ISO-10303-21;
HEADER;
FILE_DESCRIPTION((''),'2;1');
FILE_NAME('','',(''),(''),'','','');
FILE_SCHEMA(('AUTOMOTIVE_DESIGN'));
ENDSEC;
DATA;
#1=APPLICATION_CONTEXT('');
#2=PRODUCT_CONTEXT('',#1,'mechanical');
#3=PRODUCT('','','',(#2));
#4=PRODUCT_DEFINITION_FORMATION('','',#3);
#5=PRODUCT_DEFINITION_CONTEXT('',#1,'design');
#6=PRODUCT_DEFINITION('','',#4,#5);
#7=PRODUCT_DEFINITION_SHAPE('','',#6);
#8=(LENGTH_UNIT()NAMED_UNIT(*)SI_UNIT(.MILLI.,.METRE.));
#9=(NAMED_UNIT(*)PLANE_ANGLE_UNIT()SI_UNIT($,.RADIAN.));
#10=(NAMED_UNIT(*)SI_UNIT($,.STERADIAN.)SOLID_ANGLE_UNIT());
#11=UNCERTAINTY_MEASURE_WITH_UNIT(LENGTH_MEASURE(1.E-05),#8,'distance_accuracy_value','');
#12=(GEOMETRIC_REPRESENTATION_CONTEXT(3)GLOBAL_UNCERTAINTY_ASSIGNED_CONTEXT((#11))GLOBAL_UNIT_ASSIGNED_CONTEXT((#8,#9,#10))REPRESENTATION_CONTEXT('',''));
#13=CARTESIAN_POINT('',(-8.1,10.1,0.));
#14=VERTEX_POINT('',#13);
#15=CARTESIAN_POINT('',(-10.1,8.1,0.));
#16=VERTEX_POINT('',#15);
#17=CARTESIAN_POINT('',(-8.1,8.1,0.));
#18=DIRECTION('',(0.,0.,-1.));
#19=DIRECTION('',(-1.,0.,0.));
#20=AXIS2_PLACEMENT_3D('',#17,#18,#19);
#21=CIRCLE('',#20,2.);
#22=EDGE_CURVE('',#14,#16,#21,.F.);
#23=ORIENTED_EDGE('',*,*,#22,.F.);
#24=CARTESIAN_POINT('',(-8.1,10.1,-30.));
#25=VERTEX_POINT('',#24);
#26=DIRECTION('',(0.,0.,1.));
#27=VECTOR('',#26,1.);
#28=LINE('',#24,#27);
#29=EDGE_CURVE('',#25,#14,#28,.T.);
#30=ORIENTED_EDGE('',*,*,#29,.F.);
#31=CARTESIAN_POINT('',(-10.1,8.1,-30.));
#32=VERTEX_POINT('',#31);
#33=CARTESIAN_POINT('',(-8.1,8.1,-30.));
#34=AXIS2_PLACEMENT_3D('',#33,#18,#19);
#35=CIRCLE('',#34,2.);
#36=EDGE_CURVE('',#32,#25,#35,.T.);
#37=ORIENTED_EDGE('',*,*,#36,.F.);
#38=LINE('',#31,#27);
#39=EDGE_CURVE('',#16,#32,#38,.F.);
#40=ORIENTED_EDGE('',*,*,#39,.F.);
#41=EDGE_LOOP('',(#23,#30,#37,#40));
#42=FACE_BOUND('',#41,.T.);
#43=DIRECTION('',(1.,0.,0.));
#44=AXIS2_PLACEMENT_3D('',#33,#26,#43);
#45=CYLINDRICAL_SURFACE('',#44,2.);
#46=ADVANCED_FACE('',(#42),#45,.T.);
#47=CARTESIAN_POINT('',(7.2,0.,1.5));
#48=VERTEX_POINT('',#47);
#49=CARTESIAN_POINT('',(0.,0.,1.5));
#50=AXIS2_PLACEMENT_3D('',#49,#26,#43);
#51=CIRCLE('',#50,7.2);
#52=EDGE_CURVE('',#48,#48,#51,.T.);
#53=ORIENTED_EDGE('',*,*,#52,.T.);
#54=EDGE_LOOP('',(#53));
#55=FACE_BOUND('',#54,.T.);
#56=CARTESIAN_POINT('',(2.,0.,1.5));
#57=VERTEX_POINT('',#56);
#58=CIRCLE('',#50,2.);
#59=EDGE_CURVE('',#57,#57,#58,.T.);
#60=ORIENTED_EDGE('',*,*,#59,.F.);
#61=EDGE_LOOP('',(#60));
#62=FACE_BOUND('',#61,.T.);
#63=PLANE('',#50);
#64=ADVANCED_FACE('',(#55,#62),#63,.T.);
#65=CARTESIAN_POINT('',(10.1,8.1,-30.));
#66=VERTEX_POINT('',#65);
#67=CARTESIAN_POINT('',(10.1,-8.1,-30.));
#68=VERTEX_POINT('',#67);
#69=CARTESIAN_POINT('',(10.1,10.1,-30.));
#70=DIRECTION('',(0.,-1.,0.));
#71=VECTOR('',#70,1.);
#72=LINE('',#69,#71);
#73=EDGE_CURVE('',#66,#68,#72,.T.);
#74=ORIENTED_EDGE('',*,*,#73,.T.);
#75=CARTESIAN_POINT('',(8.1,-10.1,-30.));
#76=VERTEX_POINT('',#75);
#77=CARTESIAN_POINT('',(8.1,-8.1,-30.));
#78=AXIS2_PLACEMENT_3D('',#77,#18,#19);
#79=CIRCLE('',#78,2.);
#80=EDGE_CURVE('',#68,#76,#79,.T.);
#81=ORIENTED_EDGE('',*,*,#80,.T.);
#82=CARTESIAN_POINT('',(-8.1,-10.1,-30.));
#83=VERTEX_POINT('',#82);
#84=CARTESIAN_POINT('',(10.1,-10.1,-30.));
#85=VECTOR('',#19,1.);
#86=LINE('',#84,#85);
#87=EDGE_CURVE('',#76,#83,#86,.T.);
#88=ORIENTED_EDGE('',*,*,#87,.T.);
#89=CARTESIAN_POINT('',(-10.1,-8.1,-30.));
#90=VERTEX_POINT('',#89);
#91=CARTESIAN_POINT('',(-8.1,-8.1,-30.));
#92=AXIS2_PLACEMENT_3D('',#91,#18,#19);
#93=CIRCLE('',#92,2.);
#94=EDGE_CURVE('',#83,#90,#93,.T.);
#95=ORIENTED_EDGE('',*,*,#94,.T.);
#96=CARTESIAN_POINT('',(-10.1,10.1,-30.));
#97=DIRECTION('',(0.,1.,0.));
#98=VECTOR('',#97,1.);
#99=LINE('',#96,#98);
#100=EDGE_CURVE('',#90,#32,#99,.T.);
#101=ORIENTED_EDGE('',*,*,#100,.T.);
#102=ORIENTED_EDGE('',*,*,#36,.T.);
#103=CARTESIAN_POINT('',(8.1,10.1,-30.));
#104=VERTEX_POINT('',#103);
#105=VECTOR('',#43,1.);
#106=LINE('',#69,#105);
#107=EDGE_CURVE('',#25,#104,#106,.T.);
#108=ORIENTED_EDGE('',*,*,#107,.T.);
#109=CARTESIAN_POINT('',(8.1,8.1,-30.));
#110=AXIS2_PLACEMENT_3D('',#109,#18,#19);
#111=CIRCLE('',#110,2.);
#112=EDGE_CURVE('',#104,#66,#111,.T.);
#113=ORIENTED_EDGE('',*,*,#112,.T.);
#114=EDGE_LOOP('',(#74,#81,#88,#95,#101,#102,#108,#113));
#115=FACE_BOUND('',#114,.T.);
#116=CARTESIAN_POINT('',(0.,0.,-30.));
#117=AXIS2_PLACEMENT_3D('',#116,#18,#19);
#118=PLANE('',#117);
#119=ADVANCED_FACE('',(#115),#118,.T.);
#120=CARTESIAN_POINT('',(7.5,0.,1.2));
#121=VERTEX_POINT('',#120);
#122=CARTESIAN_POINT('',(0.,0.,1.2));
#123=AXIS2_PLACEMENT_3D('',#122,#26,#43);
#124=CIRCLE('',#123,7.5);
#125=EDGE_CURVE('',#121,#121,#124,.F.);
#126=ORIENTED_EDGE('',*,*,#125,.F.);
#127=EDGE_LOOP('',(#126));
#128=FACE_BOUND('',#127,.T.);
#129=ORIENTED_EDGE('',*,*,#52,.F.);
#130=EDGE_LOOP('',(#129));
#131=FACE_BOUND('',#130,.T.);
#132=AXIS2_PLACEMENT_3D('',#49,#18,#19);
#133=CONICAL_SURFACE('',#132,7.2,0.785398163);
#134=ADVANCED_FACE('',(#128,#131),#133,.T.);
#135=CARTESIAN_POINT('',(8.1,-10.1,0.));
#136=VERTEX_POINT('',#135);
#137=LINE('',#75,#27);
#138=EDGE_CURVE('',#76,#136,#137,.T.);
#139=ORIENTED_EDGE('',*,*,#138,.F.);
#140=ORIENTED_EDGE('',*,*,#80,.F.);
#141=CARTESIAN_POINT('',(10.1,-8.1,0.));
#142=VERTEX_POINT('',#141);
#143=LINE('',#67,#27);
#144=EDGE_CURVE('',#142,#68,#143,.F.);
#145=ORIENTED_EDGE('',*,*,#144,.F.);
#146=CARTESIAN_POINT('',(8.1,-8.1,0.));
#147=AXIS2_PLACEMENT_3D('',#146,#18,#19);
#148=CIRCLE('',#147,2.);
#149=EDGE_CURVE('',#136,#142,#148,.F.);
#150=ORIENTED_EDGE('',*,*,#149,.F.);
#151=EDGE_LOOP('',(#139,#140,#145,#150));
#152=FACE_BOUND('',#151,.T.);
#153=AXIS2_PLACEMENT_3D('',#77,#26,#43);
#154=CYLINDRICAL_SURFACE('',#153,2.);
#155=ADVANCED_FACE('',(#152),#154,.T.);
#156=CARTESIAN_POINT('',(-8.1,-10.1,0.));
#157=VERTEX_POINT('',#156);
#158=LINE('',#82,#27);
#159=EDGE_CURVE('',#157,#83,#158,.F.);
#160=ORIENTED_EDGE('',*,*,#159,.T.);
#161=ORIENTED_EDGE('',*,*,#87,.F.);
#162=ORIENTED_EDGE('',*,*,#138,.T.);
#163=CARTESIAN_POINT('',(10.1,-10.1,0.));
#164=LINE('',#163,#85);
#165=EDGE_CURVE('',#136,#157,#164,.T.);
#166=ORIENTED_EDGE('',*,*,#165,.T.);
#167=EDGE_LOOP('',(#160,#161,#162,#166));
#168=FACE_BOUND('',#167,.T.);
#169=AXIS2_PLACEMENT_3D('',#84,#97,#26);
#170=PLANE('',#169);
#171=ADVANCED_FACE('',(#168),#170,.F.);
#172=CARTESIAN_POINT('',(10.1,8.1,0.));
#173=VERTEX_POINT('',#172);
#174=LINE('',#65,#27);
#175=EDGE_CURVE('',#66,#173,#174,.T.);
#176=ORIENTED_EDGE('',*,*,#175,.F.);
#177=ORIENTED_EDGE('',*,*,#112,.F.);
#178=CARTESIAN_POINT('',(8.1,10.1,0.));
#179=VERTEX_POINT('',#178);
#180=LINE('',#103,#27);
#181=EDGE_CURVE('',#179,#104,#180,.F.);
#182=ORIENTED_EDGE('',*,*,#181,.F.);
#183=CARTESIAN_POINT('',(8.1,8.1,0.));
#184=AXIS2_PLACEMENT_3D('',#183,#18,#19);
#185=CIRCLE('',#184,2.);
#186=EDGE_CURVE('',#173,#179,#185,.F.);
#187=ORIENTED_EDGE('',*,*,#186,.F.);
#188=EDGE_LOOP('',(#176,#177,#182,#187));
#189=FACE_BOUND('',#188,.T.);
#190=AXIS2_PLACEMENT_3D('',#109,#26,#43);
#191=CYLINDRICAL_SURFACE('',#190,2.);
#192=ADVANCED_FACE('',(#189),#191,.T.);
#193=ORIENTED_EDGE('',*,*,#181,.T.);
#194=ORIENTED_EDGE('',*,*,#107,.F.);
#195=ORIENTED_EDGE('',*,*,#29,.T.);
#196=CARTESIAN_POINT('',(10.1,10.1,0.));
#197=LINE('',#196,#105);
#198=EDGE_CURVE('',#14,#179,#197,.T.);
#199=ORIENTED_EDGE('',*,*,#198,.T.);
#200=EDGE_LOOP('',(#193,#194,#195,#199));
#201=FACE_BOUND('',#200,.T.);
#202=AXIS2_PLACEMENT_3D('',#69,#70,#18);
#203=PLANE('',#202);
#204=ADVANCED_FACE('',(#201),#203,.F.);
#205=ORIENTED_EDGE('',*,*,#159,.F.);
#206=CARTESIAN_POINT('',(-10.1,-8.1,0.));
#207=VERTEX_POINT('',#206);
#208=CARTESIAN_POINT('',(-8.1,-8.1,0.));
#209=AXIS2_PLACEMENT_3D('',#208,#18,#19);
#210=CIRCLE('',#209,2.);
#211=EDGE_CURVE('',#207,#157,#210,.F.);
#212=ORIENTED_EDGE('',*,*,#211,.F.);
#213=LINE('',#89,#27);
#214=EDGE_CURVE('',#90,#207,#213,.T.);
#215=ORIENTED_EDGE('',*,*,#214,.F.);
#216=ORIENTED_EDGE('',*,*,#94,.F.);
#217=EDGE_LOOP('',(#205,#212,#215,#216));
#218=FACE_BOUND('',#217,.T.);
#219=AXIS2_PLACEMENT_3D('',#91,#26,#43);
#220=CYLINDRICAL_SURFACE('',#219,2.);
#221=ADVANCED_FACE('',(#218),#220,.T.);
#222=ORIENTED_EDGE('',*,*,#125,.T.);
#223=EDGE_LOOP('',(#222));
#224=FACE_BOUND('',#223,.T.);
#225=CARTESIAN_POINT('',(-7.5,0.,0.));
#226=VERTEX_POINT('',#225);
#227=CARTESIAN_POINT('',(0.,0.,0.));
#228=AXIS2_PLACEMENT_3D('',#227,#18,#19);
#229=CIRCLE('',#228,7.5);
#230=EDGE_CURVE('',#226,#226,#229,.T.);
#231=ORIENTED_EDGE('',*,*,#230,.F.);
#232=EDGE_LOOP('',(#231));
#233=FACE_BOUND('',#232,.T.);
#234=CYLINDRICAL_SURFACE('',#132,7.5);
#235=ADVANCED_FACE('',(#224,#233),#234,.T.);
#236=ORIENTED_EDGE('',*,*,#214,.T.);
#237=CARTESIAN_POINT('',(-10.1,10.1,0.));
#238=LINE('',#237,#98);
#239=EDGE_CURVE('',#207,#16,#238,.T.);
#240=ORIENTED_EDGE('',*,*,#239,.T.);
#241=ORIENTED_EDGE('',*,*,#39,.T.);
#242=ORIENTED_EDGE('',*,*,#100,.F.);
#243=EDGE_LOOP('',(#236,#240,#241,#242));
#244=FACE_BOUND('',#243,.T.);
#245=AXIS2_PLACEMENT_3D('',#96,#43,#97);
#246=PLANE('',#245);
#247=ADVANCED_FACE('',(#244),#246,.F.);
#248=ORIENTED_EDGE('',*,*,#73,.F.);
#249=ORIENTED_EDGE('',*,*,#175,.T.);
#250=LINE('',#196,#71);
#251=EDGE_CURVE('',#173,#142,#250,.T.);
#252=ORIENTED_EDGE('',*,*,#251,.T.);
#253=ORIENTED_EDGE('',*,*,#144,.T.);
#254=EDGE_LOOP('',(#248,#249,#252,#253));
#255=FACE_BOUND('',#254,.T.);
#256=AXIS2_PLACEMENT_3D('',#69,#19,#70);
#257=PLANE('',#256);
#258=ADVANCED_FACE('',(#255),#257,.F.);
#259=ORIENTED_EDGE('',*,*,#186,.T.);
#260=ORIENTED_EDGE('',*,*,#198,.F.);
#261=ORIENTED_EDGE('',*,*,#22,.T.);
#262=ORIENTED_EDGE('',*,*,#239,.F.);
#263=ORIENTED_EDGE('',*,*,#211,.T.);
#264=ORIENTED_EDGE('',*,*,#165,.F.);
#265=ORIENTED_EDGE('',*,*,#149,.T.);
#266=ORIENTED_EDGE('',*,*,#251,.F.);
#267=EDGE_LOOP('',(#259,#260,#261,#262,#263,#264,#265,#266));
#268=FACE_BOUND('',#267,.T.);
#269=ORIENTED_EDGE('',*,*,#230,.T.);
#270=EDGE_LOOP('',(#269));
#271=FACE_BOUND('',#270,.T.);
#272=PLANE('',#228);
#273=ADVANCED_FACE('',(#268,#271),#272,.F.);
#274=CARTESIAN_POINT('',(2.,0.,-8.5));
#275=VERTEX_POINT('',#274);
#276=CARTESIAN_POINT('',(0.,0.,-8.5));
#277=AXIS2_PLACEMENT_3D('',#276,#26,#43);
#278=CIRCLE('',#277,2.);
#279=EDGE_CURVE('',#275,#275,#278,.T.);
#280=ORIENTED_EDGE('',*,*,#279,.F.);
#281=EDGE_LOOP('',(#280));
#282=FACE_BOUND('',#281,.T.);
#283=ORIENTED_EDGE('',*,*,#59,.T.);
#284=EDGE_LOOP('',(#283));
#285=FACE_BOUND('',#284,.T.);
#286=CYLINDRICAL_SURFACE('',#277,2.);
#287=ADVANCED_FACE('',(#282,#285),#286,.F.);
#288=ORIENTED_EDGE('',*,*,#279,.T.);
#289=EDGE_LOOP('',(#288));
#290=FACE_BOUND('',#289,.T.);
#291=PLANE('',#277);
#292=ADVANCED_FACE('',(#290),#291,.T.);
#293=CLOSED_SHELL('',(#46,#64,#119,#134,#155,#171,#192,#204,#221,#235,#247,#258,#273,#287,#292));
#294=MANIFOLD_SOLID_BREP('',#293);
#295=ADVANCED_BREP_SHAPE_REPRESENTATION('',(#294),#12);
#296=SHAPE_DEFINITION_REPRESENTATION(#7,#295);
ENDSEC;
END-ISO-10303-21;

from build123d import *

# Parameters (mm, degrees)
ESQUISSE1_R             = 7.5
BOSS_EXTRU_1_DEPTH      = 1.5
ESQUISSE2_W             = 20.2
ESQUISSE2_H             = 20.2
BOSS_EXTRU_2_DEPTH      = 30
ESQUISSE6_R             = 2
ENL_V_MAT_EXTRU_1_DEPTH = 10
CHANFREIN1_SIZE         = 0.3
CONG_1_R                = 2


with BuildPart() as part:
    # Esquisse1 → Boss.-Extru.1 (new body)
    with BuildSketch(Plane.XY):
        Circle(ESQUISSE1_R)
    extrude(amount=BOSS_EXTRU_1_DEPTH)

    # Esquisse2 → Boss.-Extru.2 (add)
    with BuildSketch(Plane(origin=(0, 0, 0), x_dir=(-1, 0, 0), z_dir=(0, 0, -1))):
        Rectangle(ESQUISSE2_W, ESQUISSE2_H)
    extrude(amount=BOSS_EXTRU_2_DEPTH)

    # Esquisse6 → Enlèv. mat.-Extru.1 (cut)
    with BuildSketch(Plane.XY.offset(1.5)):
        Circle(ESQUISSE6_R)
    extrude(amount=-ENL_V_MAT_EXTRU_1_DEPTH, mode=Mode.SUBTRACT)

    # Chanfrein1
    chanfrein1_edges = [part.edges().sort_by_distance(p)[0] for p in [
        (-7.5, 0, 1.5),
    ]]
    chamfer(chanfrein1_edges, length=CHANFREIN1_SIZE)

    # Congé1
    cong_1_edges = [part.edges().sort_by_distance(p)[0] for p in [
        (-10.1, -10.1, -15),
        (-10.1, 10.1, -15),
        (10.1, 10.1, -15),
        (10.1, -10.1, -15),
    ]]
    fillet(cong_1_edges, radius=CONG_1_R)


solid = part.part
